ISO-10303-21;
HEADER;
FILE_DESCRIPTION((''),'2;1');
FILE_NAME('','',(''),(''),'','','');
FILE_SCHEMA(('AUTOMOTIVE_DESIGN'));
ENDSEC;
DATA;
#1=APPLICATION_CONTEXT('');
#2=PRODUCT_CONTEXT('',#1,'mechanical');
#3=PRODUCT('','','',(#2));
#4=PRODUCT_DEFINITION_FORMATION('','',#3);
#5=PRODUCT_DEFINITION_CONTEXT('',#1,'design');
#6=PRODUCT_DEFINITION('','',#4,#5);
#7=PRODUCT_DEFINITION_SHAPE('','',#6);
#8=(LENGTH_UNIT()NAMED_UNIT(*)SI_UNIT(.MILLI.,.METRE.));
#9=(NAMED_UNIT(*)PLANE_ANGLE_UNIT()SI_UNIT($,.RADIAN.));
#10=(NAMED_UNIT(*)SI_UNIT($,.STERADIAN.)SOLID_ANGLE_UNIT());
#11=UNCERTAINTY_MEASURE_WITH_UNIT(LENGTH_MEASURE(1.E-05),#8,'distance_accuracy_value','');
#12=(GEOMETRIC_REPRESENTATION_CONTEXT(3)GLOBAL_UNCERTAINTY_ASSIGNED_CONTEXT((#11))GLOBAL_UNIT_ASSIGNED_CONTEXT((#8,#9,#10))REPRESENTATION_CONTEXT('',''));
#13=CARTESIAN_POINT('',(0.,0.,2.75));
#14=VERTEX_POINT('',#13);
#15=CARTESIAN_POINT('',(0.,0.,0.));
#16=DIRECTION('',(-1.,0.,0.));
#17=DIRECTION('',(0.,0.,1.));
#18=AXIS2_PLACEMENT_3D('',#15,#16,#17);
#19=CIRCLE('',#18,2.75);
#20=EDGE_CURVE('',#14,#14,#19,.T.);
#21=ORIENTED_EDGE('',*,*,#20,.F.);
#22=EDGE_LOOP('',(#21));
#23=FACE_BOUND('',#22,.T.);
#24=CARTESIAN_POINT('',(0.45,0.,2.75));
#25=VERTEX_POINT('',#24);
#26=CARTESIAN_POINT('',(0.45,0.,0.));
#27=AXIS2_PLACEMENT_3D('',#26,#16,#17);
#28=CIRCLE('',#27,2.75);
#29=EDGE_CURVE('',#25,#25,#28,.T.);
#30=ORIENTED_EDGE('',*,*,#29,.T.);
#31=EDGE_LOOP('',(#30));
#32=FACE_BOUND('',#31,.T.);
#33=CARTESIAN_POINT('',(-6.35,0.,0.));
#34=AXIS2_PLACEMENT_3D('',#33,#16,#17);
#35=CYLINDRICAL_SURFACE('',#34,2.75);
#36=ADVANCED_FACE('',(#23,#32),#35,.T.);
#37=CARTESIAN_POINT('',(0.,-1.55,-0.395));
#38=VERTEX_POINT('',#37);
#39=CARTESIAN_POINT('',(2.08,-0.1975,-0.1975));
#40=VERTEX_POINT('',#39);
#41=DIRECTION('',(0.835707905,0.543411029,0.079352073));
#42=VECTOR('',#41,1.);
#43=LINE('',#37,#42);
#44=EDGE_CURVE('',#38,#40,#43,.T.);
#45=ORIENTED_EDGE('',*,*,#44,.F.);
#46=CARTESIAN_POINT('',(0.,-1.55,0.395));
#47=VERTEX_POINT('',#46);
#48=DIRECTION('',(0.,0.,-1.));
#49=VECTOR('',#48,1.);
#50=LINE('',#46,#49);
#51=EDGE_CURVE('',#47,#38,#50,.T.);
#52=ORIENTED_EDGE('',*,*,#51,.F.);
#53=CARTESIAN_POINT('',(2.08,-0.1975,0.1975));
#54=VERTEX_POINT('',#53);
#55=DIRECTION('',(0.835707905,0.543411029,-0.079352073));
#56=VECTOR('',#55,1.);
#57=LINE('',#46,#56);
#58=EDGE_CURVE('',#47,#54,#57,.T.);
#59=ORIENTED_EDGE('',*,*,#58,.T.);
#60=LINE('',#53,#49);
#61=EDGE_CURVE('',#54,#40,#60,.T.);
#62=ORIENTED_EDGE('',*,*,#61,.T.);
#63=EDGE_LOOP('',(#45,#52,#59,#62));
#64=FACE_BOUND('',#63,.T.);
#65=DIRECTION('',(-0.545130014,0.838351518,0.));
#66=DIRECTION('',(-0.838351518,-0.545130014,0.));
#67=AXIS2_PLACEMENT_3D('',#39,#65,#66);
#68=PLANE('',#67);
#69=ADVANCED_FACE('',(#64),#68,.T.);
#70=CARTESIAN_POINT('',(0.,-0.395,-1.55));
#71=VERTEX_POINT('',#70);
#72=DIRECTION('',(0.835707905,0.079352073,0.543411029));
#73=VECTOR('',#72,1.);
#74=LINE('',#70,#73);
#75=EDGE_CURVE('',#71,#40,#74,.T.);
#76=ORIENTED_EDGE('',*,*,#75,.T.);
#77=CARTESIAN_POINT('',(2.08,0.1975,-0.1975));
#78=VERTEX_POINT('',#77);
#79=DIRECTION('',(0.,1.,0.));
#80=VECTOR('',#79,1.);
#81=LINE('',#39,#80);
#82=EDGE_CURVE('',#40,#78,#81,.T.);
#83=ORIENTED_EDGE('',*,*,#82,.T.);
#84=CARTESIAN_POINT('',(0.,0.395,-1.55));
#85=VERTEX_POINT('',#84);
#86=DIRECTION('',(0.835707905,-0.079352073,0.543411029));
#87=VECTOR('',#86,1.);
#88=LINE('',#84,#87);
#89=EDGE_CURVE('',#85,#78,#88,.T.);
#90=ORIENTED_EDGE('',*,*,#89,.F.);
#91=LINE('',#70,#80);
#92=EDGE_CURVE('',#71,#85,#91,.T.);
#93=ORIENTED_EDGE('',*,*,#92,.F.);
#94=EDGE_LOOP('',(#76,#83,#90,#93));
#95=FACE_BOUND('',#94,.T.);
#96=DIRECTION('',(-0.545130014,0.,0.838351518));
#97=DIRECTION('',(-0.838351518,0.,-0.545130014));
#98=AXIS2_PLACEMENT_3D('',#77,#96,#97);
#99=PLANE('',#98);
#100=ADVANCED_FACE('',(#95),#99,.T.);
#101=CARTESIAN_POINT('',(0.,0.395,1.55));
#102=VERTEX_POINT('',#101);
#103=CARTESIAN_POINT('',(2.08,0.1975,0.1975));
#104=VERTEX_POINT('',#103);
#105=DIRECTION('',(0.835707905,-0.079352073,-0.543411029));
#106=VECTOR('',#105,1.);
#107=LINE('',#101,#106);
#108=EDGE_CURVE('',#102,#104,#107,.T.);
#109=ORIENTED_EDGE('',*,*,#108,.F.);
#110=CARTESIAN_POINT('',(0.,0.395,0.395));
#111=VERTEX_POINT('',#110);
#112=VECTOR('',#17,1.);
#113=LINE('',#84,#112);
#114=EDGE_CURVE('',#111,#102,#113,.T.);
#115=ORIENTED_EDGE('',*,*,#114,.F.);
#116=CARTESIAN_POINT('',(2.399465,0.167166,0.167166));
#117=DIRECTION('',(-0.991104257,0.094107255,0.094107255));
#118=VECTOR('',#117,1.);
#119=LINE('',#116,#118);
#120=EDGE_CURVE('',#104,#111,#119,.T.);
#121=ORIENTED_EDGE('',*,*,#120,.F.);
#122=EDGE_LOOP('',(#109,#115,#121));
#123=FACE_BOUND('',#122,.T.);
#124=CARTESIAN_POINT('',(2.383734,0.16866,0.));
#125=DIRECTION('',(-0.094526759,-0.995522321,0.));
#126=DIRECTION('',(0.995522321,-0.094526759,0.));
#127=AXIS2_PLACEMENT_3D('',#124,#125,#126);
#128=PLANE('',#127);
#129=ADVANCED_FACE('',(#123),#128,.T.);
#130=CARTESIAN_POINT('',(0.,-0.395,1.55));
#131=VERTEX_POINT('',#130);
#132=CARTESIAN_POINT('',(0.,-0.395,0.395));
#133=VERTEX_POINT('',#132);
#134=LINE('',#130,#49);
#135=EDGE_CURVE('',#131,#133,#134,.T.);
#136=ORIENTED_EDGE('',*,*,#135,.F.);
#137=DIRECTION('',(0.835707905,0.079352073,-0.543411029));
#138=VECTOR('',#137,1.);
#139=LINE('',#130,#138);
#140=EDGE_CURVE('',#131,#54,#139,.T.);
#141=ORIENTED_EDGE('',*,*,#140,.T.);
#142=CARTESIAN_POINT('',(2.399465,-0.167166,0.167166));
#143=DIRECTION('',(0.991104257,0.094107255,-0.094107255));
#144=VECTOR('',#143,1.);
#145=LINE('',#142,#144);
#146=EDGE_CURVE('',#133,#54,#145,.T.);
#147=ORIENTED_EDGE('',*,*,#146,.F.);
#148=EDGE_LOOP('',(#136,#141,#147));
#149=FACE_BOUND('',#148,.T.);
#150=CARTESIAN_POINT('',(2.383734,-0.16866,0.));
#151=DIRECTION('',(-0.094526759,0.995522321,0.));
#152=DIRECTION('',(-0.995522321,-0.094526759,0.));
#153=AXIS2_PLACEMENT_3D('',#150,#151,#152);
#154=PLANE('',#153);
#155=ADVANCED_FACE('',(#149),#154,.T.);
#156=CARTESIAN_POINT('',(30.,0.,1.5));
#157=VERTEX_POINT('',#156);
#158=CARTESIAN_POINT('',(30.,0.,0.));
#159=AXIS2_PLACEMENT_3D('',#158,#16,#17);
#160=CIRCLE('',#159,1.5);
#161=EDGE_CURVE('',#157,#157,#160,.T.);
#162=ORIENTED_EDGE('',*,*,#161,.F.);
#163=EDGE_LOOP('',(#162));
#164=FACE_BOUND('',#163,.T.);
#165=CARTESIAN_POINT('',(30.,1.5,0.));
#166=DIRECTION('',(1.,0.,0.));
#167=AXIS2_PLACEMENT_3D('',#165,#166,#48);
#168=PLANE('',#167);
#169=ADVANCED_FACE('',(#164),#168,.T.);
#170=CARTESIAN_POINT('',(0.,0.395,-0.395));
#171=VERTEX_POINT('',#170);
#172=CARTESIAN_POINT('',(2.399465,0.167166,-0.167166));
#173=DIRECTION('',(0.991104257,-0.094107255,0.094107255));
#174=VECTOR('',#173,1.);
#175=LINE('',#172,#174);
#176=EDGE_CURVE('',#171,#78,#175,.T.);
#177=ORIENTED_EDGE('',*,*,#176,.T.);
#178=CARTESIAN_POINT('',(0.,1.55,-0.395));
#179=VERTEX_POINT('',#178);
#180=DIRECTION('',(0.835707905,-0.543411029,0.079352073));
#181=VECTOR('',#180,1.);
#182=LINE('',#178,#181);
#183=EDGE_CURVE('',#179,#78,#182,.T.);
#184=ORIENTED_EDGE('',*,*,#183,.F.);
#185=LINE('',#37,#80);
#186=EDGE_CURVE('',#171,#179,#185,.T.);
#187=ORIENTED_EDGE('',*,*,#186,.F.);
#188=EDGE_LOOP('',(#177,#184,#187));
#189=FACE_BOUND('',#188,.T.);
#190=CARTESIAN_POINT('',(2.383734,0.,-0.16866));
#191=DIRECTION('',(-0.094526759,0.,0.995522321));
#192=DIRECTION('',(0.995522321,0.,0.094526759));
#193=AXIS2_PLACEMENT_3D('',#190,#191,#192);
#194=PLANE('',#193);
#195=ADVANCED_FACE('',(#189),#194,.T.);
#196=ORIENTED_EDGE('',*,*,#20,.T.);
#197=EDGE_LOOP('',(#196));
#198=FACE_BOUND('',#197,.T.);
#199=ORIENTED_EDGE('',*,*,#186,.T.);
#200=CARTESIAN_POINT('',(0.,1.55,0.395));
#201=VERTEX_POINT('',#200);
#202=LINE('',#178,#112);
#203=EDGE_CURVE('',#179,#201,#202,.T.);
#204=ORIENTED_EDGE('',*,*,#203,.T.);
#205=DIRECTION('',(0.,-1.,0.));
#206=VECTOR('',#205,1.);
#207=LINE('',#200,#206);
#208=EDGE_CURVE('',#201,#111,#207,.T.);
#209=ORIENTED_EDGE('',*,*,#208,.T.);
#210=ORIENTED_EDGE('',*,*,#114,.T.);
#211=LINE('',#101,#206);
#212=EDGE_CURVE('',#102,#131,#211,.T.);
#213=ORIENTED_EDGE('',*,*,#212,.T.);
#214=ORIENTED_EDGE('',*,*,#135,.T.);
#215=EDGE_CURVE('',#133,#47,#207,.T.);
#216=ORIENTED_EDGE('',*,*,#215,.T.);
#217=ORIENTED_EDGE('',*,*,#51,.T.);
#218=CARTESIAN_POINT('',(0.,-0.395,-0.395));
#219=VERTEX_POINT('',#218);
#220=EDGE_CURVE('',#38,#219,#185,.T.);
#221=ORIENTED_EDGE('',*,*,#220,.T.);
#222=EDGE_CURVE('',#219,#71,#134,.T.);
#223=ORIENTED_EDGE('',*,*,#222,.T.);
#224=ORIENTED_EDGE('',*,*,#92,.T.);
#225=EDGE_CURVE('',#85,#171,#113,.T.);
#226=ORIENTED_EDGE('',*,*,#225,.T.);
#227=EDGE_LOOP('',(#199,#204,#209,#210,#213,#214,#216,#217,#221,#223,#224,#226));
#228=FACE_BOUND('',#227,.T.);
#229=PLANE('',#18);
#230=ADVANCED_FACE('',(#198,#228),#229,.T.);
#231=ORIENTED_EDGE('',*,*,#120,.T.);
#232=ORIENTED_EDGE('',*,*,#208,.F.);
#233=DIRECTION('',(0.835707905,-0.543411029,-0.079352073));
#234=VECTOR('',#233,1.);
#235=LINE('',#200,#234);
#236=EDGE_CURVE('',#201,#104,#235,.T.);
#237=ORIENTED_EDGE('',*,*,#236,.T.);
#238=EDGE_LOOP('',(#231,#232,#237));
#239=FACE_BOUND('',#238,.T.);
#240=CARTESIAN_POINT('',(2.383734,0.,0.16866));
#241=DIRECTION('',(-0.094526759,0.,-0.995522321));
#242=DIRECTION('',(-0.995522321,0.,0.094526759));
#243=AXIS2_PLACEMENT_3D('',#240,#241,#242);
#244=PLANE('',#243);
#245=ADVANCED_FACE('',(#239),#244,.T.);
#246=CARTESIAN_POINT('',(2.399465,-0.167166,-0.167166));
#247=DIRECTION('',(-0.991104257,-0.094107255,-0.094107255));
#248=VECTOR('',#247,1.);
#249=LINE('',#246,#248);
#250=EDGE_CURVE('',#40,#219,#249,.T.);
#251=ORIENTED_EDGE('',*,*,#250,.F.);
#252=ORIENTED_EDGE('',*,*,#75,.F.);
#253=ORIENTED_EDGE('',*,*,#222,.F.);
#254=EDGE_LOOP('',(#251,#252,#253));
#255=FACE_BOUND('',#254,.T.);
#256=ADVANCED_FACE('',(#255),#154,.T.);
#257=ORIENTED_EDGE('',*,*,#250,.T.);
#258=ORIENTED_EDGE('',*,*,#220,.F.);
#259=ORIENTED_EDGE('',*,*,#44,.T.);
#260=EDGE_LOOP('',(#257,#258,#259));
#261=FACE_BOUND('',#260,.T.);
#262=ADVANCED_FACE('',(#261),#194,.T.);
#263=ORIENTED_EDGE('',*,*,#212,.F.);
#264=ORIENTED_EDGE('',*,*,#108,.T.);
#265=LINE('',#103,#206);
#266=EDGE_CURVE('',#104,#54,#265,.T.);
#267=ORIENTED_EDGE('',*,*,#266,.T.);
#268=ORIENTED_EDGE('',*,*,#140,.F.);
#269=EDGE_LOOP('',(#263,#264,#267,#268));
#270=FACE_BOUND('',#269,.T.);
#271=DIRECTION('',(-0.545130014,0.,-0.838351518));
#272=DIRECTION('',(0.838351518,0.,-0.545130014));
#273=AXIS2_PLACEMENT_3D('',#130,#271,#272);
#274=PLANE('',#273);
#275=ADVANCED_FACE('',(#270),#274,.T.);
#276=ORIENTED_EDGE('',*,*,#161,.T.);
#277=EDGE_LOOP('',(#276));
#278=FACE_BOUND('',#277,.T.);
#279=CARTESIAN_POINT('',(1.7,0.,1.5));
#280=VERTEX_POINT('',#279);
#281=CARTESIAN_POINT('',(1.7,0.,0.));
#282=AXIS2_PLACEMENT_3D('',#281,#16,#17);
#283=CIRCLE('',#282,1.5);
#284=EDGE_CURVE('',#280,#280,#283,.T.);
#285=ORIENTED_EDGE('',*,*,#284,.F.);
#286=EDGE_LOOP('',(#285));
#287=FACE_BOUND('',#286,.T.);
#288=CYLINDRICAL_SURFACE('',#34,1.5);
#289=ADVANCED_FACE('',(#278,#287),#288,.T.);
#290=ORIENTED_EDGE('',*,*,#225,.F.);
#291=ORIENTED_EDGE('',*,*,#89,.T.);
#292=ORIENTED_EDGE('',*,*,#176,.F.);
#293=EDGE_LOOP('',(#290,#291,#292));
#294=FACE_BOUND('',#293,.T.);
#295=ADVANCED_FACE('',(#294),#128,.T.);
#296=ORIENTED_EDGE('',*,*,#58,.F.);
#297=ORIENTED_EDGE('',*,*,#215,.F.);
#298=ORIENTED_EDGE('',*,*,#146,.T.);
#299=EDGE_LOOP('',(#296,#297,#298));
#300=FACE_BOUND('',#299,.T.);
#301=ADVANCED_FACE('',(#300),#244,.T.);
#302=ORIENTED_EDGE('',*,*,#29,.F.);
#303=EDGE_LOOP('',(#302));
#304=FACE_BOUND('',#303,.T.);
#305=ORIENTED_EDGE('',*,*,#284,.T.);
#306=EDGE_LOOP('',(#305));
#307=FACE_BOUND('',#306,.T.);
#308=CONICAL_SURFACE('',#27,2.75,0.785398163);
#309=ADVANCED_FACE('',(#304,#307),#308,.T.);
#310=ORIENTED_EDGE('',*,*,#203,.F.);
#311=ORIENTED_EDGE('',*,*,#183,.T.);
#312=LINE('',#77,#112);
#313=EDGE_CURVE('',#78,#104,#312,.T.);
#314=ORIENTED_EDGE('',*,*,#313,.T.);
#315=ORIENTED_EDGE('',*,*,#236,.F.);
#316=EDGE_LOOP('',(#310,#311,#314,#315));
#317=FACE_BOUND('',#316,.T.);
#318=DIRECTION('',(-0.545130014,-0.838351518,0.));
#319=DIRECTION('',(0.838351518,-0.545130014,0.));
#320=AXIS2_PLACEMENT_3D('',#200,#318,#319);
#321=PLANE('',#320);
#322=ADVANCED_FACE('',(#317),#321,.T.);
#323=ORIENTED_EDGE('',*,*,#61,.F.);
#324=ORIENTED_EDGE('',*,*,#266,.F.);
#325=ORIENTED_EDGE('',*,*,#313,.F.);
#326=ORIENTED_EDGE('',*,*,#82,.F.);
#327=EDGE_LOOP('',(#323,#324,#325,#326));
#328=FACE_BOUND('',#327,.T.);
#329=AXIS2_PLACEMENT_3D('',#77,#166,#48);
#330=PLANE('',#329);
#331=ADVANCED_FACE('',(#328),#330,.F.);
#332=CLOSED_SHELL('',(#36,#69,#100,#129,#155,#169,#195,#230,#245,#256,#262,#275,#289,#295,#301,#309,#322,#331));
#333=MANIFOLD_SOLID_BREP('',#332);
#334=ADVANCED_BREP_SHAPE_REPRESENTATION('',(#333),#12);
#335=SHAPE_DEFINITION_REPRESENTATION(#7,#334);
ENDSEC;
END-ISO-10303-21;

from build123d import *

# Parameters (mm, degrees)
SKETCH3_W         = 0.79
SKETCH3_H         = 3.1
SKETCH4_W         = 0.395
SKETCH4_H         = 0.395
CIRPATTERN1_COUNT = 2
CIRPATTERN1_ANGLE = 90


with BuildPart() as part:
    # BodySke → Base-Revolve (revolve)
    with BuildSketch(Plane.XY):
        Polygon((0, 0), (0, 2.75), (0.45, 2.75), (1.7, 1.5), (30, 1.5), (30, 0), align=None)
    revolve(axis=Axis((-6.35, 0, 0), (1, 0, 0)))

    # Sketch3 → Cross section 0
    with BuildSketch(Plane.ZY):
        Rectangle(SKETCH3_W, SKETCH3_H)
    # Sketch4 → Cross section 1
    with BuildSketch(Plane.ZY.offset(-2.08)):
        Rectangle(SKETCH4_W, SKETCH4_H)
    cross = loft(mode=Mode.SUBTRACT)

    # CirPattern1: Cross ×2 about axis
    cirpattern1_axis = Axis((0, 0, 0), (1, 0, 0))
    for i in range(1, CIRPATTERN1_COUNT):
        add(cross.rotate(cirpattern1_axis, i * CIRPATTERN1_ANGLE / (CIRPATTERN1_COUNT - 1)), mode=Mode.SUBTRACT)


solid = part.part
